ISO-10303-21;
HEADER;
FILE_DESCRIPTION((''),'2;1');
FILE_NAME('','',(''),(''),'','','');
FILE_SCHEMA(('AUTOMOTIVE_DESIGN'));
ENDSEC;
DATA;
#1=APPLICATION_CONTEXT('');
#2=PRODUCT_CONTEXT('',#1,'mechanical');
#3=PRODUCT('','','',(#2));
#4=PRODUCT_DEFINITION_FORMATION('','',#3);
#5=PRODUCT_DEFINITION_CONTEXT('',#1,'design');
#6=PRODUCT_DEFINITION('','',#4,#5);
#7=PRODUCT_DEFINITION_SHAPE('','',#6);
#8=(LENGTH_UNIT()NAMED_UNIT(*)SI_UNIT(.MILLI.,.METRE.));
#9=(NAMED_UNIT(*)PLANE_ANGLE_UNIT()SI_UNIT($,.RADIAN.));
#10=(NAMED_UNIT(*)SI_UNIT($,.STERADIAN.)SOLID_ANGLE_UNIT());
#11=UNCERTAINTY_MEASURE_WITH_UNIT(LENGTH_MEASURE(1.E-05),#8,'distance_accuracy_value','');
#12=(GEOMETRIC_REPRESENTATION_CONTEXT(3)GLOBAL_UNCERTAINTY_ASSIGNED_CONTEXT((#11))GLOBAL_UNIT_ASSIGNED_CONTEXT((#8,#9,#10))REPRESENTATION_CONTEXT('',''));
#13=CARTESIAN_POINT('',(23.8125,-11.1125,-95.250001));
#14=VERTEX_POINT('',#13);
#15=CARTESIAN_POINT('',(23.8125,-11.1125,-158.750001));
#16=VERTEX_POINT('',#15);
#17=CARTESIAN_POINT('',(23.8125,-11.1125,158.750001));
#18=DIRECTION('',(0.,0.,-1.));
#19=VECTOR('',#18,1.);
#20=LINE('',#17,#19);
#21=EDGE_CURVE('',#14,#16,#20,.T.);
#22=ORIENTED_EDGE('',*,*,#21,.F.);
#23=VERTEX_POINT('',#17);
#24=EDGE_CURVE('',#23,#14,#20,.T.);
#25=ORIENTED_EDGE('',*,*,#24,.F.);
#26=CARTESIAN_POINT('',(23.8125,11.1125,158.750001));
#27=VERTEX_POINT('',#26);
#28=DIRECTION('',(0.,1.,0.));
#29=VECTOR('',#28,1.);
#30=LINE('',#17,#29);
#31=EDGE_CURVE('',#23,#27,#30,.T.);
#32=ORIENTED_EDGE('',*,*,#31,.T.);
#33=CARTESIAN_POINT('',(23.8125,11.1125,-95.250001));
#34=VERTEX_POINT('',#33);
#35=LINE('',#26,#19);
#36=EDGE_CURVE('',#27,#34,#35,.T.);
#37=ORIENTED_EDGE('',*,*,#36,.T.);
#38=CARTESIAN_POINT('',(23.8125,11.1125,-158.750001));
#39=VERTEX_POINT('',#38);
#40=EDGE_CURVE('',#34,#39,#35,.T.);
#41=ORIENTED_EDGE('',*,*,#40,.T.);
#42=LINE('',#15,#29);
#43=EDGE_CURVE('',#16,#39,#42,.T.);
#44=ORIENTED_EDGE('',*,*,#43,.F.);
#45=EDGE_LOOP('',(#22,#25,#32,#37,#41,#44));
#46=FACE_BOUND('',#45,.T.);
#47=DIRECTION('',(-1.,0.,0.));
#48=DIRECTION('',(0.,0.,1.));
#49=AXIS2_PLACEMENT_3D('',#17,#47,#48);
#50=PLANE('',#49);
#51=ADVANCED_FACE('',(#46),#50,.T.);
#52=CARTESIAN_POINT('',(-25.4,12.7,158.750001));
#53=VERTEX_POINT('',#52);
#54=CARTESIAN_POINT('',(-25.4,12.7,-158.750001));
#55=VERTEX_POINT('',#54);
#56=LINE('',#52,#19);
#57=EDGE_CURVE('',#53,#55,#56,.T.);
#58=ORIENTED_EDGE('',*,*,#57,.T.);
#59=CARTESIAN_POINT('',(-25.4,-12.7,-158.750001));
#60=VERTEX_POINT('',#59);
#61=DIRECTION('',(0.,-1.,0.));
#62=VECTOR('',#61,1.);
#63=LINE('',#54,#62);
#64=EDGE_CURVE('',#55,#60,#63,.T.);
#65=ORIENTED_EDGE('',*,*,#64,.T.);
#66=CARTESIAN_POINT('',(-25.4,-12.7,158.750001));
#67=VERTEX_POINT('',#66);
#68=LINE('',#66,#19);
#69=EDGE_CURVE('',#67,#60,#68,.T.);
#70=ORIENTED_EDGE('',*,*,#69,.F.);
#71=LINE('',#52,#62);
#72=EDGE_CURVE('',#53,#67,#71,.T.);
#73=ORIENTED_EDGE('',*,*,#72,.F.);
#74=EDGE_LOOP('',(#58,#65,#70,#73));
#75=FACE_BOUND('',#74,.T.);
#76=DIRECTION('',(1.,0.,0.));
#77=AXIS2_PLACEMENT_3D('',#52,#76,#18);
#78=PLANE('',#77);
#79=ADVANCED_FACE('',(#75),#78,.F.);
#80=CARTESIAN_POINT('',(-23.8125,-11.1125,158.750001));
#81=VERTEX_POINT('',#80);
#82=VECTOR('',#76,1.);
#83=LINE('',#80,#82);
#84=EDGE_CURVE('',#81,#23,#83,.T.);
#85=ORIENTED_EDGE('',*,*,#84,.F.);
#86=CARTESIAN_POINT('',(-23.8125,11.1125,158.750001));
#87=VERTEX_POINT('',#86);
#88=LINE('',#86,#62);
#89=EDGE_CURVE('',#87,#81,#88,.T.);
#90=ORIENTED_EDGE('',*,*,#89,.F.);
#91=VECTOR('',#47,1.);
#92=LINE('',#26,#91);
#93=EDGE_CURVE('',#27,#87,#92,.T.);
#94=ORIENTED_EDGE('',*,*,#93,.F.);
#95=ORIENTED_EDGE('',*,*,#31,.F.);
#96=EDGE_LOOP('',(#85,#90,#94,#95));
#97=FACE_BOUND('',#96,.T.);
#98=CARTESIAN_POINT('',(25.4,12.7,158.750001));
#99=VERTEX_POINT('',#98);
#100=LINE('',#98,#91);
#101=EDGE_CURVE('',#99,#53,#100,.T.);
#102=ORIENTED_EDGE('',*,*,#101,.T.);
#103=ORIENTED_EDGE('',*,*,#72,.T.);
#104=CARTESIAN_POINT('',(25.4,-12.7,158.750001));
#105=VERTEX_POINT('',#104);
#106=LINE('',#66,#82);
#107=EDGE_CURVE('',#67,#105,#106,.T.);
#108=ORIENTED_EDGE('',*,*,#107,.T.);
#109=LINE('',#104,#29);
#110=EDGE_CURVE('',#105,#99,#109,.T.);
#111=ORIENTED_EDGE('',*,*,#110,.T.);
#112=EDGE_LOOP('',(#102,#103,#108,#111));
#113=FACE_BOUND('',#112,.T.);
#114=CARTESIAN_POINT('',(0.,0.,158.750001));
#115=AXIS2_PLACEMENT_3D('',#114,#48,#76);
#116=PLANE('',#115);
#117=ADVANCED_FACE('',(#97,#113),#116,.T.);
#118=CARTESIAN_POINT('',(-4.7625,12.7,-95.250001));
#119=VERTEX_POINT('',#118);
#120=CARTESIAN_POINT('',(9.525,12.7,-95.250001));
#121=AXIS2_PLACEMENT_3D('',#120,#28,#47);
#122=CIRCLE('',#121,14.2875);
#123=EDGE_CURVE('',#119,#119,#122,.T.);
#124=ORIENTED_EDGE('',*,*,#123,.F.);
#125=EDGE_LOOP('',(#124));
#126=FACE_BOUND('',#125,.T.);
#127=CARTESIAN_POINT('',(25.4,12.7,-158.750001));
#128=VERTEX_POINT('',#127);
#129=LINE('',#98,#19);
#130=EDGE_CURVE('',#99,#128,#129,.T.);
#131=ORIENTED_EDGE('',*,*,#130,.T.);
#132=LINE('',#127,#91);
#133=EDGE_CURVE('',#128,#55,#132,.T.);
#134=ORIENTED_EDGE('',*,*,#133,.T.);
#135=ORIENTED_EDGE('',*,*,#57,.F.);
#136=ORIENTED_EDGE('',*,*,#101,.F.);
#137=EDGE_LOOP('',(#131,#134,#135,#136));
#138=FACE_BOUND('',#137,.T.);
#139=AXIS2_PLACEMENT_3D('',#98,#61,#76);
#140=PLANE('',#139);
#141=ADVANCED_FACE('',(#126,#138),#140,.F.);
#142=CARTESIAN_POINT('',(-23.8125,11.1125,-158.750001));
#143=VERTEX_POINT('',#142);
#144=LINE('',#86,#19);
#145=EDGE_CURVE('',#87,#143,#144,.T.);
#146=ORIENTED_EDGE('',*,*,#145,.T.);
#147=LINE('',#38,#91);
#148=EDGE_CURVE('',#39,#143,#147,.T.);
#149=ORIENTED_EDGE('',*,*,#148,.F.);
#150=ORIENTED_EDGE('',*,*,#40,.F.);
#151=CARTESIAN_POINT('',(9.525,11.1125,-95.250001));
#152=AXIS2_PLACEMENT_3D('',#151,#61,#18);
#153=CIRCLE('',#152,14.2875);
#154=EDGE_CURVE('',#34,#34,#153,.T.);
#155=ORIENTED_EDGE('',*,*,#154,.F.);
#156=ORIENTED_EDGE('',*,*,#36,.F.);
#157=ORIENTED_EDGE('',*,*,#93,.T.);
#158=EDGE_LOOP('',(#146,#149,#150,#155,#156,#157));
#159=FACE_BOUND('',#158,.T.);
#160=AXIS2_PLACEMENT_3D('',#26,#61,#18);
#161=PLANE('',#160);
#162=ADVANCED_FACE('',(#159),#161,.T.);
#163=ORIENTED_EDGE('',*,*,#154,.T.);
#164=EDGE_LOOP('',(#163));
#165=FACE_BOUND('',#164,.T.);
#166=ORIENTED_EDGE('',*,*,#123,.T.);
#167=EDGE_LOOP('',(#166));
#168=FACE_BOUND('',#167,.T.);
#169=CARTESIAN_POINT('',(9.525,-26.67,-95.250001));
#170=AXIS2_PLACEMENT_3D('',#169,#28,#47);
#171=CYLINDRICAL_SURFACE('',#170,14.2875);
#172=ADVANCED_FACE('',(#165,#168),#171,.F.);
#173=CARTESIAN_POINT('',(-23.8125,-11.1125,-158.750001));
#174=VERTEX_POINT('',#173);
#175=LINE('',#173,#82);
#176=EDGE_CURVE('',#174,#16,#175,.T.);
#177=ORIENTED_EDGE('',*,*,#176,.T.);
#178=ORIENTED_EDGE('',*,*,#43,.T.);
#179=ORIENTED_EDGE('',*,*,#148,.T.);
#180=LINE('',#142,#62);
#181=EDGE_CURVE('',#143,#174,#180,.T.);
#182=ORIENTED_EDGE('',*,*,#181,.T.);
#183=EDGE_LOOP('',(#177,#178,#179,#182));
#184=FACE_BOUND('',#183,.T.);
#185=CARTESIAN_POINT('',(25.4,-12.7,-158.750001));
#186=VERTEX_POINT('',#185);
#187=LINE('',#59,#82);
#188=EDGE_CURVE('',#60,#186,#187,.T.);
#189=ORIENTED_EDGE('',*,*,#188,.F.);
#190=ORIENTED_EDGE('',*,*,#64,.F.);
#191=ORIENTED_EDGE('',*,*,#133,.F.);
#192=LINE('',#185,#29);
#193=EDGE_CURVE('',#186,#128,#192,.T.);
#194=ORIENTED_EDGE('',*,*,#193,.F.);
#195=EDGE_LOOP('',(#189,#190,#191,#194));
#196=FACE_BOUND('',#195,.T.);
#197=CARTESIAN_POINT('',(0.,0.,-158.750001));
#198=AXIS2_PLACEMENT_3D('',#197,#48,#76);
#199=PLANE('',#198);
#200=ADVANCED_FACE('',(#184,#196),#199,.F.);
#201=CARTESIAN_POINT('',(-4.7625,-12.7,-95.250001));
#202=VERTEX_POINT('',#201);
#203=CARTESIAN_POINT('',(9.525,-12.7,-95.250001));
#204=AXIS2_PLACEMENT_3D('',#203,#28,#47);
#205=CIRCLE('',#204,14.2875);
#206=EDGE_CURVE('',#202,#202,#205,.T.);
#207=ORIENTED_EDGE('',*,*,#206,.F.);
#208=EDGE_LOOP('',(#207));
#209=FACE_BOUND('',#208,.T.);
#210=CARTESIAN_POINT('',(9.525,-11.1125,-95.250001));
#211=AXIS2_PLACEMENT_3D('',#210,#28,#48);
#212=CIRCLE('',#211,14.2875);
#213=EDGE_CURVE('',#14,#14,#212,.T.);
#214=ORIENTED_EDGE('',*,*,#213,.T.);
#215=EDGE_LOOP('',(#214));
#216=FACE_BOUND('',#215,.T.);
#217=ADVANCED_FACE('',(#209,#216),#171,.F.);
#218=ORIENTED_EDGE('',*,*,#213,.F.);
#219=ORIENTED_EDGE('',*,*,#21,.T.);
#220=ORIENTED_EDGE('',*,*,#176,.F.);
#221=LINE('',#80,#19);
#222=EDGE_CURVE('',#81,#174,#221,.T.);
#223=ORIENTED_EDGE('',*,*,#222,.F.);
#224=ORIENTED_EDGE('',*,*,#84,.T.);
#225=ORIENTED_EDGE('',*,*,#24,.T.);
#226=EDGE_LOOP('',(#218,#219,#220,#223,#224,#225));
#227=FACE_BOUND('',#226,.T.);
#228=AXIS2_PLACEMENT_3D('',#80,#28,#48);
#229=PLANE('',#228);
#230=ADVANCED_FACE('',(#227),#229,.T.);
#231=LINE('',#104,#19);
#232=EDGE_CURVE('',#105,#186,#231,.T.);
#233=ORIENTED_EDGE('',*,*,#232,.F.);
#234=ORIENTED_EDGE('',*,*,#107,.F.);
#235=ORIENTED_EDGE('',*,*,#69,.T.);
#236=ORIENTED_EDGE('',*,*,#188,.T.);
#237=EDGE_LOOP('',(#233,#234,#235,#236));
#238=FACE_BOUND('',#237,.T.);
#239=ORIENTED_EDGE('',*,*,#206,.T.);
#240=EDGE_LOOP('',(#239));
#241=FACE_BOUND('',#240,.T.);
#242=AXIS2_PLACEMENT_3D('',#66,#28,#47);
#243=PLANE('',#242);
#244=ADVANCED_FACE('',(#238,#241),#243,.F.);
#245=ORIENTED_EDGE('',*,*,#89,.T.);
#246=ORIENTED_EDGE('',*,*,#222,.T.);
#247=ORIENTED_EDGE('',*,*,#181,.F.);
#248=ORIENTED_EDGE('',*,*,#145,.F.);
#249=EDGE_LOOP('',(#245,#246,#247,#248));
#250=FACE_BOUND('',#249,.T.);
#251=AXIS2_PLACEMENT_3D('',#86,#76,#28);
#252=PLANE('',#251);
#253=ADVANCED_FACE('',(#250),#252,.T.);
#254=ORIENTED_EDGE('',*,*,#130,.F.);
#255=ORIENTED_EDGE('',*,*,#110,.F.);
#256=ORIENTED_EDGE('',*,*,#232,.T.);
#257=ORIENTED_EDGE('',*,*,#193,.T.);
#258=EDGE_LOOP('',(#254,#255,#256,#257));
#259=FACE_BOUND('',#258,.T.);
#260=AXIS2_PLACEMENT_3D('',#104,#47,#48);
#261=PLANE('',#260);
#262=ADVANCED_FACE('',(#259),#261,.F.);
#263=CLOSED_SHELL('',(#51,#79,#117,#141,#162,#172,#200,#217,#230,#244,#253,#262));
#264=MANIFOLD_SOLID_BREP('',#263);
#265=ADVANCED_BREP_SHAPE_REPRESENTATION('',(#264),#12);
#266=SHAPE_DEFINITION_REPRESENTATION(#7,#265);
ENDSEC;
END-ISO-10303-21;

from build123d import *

# Parameters (mm, degrees)
BOSS_EXTRUDE1_DEPTH      = 158.750001
BOSS_EXTRUDE1_DEPTH_BACK = 158.750001
SKETCH3_W                = 50.8
SKETCH3_H                = 25.4
SKETCH3_W_2              = 47.625
SKETCH3_H_2              = 22.225
SKETCH4_R                = 14.2875
CUT_EXTRUDE1_DEPTH       = 39.37


with BuildPart() as part:
    # Sketch3 → Boss-Extrude1 (new, two sides: drawn at the far end of the back side and taken through both)
    with BuildSketch(Plane.XY.offset(-BOSS_EXTRUDE1_DEPTH_BACK)):
        Rectangle(SKETCH3_W, SKETCH3_H)
        Rectangle(SKETCH3_W_2, SKETCH3_H_2, mode=Mode.SUBTRACT)
    extrude(amount=BOSS_EXTRUDE1_DEPTH + BOSS_EXTRUDE1_DEPTH_BACK)

    # Sketch4 → Cut-Extrude1 (cut)
    with BuildSketch(Plane(origin=(0, 12.7, 0), x_dir=(1, 0, 0), z_dir=(0, 1, 0))):
        with Locations(Location((9.525, 95.250000508, 0), (0, 0, 180))):
            Circle(SKETCH4_R)
    extrude(amount=-CUT_EXTRUDE1_DEPTH, mode=Mode.SUBTRACT)


solid = part.part
